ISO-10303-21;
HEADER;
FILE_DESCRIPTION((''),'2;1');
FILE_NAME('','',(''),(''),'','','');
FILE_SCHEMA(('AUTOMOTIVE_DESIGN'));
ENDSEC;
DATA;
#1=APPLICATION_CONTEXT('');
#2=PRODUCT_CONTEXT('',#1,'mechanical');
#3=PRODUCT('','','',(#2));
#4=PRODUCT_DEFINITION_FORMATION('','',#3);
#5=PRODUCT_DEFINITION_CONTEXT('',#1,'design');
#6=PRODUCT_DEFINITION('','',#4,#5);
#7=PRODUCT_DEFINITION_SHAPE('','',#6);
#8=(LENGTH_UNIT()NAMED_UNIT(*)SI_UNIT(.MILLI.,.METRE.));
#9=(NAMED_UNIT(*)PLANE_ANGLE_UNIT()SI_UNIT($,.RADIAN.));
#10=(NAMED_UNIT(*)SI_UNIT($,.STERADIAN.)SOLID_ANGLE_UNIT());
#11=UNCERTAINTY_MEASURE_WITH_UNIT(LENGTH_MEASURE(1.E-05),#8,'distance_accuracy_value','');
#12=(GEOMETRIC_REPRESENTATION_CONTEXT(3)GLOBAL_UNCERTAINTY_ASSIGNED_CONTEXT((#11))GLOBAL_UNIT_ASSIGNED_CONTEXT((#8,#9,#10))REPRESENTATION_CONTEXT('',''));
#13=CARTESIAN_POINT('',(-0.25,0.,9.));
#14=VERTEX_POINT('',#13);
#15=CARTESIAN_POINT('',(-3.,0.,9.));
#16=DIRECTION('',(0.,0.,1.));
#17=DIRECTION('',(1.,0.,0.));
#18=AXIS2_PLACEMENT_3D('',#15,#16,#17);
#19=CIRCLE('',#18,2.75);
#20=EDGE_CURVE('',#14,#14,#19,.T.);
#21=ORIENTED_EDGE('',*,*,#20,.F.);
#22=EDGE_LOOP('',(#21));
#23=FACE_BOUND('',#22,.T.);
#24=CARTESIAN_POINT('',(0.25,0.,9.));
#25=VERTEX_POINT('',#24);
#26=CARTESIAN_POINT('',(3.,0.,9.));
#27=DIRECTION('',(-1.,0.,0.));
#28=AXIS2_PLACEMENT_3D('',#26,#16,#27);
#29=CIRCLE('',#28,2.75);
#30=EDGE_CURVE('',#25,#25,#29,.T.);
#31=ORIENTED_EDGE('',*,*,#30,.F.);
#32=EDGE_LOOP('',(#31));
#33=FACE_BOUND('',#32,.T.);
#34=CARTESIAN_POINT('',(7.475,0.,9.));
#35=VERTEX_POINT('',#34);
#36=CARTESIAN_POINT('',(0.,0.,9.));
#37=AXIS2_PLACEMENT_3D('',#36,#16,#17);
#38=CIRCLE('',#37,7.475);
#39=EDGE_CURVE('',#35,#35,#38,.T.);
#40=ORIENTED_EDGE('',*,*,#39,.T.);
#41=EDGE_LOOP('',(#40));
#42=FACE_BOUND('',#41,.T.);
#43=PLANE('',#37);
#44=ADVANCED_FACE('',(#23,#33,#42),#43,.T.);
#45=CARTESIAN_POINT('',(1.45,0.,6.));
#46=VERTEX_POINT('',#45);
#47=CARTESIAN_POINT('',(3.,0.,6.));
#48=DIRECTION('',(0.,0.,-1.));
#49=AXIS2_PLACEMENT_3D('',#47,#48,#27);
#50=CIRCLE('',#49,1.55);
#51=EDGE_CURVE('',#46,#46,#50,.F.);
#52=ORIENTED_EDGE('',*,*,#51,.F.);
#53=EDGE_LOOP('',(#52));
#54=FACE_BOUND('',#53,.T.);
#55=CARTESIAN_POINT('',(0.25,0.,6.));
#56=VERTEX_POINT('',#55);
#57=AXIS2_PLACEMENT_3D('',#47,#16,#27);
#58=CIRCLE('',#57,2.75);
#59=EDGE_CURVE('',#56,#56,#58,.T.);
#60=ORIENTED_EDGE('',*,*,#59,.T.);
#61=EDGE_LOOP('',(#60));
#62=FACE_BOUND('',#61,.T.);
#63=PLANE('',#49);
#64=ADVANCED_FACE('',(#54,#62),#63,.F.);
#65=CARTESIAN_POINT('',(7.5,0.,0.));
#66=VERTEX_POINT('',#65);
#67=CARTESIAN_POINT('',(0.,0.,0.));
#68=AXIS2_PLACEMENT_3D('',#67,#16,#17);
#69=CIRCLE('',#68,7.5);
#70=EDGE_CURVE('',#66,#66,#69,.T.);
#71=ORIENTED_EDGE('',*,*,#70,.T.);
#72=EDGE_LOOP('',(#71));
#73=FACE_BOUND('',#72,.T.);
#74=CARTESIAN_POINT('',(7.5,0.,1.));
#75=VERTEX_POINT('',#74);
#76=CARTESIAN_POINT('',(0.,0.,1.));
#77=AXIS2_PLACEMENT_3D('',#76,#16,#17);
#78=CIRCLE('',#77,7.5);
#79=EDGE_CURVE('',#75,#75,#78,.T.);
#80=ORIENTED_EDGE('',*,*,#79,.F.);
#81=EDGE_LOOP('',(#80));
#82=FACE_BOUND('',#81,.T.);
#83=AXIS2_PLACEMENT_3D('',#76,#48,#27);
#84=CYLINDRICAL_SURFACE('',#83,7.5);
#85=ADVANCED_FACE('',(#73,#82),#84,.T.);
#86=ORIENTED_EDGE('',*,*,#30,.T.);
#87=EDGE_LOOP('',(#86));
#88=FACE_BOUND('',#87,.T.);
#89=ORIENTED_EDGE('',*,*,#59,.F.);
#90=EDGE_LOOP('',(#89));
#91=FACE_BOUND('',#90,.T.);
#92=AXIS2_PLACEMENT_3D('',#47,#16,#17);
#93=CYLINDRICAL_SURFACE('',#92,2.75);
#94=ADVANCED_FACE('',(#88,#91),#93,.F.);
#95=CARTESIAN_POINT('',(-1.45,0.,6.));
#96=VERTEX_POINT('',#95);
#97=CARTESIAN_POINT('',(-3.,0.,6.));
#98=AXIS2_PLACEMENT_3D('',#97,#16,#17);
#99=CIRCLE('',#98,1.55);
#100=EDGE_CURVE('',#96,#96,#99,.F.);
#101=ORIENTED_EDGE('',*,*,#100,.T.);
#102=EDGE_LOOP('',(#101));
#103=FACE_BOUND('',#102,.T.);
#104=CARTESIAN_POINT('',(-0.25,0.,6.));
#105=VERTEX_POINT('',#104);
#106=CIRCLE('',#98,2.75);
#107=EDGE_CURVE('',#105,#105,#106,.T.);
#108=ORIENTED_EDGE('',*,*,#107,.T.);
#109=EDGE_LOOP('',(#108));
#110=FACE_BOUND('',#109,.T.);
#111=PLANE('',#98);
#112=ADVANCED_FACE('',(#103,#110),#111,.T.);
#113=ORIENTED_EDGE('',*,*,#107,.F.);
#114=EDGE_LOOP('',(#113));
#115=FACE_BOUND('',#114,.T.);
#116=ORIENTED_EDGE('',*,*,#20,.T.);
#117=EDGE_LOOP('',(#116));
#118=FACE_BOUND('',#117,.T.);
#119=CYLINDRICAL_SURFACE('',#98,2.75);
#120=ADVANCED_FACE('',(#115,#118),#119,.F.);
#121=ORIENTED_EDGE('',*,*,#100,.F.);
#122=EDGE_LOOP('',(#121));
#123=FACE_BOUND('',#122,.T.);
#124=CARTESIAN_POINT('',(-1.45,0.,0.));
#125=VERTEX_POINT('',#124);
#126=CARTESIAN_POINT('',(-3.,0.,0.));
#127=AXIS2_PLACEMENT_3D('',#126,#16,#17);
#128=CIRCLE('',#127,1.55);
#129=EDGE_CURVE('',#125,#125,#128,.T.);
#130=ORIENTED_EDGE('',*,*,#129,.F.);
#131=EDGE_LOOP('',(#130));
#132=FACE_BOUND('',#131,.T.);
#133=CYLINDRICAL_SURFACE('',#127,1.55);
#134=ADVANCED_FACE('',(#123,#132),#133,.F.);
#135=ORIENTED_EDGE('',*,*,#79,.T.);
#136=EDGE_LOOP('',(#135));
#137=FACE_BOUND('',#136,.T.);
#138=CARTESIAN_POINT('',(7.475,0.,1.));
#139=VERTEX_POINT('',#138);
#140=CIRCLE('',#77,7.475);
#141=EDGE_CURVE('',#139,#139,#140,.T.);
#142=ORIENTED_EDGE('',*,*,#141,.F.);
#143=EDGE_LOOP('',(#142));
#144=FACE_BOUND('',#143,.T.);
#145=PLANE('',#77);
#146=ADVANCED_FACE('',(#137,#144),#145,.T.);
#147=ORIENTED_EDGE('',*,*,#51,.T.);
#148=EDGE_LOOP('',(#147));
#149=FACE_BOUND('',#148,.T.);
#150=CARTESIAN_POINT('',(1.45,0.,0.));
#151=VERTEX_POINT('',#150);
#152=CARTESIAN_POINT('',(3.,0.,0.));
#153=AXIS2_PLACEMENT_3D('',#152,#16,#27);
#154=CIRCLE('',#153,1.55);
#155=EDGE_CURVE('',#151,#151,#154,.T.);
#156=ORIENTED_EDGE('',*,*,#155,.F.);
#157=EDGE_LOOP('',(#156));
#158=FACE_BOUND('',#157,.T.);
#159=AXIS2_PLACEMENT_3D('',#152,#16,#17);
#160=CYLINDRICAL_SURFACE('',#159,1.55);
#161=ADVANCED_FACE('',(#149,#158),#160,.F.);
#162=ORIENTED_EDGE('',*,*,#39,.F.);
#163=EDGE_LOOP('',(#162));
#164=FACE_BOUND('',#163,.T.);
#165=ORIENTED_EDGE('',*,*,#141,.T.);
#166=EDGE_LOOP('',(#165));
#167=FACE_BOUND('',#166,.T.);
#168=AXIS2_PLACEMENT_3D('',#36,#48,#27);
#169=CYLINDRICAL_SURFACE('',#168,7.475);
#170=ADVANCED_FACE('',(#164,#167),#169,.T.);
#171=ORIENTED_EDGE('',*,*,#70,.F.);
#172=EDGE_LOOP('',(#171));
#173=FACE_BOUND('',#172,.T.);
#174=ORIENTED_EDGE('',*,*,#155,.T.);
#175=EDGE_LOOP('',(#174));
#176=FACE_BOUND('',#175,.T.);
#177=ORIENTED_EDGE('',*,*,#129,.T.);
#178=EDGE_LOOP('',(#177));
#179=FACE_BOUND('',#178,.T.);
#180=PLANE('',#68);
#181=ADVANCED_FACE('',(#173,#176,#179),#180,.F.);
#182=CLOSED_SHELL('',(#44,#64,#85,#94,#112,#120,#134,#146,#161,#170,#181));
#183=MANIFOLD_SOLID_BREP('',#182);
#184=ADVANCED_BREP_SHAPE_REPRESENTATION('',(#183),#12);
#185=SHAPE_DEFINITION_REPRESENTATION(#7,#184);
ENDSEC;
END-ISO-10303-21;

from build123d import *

# Parameters (mm, degrees)
SKETCH1_R           = 7.5
BOSS_EXTRUDE1_DEPTH = 1
SKETCH2_R           = 7.475
BOSS_EXTRUDE2_DEPTH = 8
SKETCH3_R           = 1.55
CUT_EXTRUDE1_DEPTH  = 14.910427743
SKETCH4_R           = 2.75
CUT_EXTRUDE2_DEPTH  = 3


with BuildPart() as part:
    # Sketch1 → Boss-Extrude1 (new body)
    with BuildSketch(Plane.XY):
        Circle(SKETCH1_R)
    extrude(amount=BOSS_EXTRUDE1_DEPTH)

    # Sketch2 → Boss-Extrude2 (add)
    with BuildSketch(Plane.XY.offset(1)):
        Circle(SKETCH2_R)
    extrude(amount=BOSS_EXTRUDE2_DEPTH)

    # Sketch3 → Cut-Extrude1 (cut, through all)
    with BuildSketch(Plane.XY.offset(9)):
        with Locations((-3, 0)):
            Circle(SKETCH3_R)
        with Locations(Location((3, 0, 0), (0, 0, 180))):
            Circle(SKETCH3_R)
    extrude(amount=-CUT_EXTRUDE1_DEPTH, mode=Mode.SUBTRACT)

    # Sketch4 → Cut-Extrude2 (cut)
    with BuildSketch(Plane.XY.offset(9)):
        with Locations((-3, 0)):
            Circle(SKETCH4_R)
        with Locations(Location((3, 0, 0), (0, 0, 180))):
            Circle(SKETCH4_R)
    extrude(amount=-CUT_EXTRUDE2_DEPTH, mode=Mode.SUBTRACT)


solid = part.part
